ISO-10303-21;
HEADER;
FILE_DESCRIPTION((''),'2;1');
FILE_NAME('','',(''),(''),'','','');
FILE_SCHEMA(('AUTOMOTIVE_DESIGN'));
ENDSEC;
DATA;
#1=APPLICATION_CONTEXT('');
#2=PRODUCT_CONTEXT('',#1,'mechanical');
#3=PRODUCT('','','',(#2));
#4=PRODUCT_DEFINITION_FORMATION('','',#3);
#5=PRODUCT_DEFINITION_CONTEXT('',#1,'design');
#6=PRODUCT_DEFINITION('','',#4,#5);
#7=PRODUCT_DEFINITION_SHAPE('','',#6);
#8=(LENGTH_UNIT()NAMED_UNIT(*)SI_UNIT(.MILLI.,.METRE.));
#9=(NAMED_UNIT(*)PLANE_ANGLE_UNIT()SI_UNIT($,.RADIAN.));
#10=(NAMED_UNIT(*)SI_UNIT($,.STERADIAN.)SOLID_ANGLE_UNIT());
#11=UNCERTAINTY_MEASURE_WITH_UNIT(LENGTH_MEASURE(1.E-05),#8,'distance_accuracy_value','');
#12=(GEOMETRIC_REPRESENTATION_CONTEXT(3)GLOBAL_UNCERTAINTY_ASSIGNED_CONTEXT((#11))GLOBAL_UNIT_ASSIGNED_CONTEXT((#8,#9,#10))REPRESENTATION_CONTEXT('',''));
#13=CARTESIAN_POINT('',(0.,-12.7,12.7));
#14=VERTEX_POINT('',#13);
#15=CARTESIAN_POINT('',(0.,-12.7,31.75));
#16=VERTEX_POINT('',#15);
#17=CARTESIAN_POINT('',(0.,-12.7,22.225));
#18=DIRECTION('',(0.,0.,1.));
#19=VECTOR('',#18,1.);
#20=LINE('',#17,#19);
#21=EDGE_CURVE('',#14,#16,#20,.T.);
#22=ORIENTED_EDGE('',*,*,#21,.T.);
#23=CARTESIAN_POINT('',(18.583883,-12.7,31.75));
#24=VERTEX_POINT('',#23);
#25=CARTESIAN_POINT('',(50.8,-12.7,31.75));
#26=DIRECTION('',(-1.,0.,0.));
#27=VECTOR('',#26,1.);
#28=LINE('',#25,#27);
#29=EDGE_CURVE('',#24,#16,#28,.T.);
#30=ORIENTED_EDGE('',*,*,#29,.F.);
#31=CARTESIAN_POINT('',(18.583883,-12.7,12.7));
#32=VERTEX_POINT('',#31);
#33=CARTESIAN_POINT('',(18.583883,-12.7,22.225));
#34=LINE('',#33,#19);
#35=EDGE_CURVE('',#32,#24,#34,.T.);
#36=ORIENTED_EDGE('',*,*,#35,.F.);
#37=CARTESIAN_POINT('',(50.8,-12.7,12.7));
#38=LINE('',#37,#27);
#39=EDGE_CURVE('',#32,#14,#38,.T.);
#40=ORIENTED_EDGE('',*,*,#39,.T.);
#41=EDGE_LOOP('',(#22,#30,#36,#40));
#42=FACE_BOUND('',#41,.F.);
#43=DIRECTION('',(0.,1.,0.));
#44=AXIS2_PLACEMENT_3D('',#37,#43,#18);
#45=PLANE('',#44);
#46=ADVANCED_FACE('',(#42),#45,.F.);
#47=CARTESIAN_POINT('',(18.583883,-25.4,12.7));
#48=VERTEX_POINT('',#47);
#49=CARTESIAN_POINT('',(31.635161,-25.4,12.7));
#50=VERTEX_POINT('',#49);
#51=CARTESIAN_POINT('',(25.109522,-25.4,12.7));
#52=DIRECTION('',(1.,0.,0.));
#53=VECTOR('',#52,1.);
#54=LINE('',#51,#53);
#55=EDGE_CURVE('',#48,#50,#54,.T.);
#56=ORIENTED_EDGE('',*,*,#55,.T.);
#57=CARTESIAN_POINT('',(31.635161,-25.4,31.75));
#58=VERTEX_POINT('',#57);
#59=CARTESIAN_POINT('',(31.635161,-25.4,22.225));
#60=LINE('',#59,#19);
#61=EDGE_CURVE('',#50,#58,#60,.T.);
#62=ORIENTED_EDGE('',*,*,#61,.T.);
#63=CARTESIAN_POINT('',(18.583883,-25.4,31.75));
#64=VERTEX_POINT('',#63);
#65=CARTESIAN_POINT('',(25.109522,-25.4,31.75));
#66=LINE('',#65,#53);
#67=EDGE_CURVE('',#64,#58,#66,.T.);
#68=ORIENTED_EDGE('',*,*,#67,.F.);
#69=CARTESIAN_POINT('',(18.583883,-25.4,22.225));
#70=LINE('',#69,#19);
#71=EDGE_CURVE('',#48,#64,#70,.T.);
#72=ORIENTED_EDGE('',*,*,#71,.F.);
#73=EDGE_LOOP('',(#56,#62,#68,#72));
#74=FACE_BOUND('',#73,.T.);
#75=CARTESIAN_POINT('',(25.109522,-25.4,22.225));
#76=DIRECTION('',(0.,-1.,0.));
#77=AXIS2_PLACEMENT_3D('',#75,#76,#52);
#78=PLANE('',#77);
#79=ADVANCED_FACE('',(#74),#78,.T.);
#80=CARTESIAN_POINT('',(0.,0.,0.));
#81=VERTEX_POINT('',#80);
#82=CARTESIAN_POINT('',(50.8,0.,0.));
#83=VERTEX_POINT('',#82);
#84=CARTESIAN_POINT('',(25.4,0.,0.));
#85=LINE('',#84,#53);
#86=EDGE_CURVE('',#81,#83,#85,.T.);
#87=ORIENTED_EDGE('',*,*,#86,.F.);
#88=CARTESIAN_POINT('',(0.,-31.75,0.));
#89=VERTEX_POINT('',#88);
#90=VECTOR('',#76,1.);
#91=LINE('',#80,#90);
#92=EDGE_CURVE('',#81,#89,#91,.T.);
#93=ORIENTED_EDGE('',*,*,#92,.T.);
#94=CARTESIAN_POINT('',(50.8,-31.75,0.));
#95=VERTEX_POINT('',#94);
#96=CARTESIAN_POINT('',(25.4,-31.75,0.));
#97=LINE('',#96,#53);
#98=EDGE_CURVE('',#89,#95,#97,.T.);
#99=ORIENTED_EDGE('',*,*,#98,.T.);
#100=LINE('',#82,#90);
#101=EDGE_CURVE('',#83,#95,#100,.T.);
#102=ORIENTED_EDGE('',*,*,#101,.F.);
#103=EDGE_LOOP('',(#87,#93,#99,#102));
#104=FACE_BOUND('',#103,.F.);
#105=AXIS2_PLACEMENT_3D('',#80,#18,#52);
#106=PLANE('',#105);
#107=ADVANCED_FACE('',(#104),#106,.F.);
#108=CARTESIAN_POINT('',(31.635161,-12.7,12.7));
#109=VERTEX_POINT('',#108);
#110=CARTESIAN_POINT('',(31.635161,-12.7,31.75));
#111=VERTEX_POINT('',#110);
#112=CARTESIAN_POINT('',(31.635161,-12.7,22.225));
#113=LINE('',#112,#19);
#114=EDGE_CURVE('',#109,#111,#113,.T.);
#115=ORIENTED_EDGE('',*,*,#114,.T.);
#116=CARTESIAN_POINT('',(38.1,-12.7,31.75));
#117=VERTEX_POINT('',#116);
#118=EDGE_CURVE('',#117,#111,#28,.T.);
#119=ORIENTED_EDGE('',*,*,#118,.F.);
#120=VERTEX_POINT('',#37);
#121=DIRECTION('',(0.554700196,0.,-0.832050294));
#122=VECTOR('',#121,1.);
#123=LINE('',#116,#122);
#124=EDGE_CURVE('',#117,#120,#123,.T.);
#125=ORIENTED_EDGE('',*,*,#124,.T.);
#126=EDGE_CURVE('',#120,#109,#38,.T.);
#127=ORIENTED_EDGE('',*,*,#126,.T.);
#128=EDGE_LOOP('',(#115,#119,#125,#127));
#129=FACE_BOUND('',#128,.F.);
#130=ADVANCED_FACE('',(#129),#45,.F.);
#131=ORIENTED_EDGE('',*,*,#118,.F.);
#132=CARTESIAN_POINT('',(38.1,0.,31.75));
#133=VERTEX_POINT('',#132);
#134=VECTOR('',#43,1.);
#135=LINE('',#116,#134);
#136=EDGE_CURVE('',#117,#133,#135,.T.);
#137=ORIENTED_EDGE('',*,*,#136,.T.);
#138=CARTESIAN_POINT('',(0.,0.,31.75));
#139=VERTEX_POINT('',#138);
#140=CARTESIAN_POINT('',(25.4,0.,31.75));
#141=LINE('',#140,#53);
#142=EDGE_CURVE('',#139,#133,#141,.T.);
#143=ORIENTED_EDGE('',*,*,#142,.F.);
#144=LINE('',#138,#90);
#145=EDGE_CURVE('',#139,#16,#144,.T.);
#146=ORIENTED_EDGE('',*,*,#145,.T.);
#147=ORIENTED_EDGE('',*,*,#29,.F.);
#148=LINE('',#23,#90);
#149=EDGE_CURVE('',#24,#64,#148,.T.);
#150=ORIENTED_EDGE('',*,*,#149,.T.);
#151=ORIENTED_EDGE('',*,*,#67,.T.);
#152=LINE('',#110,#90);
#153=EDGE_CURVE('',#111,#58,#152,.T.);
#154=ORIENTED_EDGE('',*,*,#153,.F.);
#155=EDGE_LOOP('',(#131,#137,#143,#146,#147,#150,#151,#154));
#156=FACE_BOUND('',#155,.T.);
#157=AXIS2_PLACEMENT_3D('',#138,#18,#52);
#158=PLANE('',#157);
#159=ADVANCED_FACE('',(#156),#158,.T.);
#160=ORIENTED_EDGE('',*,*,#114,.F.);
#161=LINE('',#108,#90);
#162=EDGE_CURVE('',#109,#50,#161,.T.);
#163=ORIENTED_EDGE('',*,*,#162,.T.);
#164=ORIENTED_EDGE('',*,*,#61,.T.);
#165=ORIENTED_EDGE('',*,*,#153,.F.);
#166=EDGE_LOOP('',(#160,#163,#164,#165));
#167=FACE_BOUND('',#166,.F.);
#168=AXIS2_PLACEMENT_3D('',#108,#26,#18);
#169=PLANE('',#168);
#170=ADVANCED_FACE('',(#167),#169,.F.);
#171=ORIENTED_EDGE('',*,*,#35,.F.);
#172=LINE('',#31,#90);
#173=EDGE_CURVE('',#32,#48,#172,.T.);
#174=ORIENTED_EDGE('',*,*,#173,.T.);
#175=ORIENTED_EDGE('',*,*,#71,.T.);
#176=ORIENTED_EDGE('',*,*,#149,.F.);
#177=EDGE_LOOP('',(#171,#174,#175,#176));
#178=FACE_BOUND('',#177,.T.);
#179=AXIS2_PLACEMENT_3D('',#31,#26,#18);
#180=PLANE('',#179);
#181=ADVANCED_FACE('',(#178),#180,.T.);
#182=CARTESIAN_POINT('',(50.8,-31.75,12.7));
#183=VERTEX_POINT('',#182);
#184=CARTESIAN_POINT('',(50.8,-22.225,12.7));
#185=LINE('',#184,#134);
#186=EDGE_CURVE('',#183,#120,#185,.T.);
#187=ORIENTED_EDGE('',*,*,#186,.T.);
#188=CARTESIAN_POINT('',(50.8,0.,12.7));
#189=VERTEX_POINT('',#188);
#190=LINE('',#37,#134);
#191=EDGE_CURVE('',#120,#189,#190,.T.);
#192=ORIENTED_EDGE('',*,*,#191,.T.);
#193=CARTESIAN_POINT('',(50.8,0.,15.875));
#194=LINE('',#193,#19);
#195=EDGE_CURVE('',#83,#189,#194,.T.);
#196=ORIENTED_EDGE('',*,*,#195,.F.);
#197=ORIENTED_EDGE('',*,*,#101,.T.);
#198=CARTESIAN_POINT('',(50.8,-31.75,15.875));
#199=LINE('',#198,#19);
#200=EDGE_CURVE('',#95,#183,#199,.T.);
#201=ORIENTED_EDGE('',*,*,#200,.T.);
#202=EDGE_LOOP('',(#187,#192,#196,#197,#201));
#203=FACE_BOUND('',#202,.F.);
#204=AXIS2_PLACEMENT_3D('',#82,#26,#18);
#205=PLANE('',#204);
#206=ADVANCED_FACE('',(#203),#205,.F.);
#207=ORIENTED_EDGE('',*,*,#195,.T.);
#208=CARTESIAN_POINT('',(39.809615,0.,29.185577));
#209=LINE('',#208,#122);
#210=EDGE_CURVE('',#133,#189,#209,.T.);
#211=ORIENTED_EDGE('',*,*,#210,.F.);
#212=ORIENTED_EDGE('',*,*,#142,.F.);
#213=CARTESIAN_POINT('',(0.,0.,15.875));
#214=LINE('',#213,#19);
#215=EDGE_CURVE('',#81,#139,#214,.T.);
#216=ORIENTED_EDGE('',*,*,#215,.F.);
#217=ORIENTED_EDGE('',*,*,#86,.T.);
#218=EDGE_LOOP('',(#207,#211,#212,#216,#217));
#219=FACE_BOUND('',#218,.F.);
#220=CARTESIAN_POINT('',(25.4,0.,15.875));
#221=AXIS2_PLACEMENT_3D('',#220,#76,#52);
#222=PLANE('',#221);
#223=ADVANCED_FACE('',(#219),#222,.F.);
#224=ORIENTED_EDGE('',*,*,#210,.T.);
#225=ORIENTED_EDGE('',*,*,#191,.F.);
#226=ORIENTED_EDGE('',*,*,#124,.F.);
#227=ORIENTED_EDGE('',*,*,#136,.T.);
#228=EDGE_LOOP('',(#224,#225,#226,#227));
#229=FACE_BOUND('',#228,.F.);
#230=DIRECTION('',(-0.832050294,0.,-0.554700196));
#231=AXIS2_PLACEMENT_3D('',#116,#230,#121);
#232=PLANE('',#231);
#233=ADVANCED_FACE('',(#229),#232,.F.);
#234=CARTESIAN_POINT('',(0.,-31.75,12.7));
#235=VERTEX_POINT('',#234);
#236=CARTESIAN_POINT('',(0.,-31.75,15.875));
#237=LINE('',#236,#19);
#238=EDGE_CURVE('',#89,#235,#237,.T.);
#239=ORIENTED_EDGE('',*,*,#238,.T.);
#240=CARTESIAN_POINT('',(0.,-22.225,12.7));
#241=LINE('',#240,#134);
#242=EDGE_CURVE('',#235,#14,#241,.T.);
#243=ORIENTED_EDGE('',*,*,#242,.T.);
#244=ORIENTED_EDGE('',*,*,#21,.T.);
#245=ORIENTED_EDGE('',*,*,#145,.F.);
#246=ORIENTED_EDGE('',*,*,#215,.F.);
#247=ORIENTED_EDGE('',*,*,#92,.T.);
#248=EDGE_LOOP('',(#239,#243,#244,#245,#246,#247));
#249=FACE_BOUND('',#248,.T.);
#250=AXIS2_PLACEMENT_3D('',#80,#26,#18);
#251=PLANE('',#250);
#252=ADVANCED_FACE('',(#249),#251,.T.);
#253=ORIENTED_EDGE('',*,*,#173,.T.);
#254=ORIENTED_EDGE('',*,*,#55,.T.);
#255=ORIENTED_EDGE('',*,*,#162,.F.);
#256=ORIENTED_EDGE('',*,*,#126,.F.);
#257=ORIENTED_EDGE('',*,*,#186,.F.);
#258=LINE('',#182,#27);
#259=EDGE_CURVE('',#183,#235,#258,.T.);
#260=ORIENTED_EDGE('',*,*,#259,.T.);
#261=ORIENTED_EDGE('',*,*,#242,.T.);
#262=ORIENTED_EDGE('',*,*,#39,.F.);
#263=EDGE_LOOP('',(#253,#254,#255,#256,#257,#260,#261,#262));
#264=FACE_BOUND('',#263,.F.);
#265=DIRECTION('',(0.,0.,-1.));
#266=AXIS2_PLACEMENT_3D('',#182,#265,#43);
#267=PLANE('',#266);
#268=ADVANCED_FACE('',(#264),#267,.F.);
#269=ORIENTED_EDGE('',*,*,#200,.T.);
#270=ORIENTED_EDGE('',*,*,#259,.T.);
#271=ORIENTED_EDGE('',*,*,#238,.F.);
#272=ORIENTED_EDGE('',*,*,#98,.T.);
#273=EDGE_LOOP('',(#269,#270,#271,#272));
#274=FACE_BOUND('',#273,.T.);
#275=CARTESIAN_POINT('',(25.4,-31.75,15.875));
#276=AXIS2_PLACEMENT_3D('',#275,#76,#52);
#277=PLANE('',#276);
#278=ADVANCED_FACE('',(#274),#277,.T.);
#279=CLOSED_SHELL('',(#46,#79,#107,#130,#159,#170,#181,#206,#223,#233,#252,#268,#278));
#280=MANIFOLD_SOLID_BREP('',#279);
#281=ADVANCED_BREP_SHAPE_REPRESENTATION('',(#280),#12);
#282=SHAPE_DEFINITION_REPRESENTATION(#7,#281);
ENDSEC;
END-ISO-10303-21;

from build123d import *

# Parameters (mm, degrees)
F0_W     = 50.8
F0_H     = 31.75
F1_DEPTH = 31.75
F2_W     = 19.05
F2_H     = 19.05
F3_DEPTH = 50.8
F5_DEPTH = 25.4
F6_W     = 13.051277
F6_H     = 19.05
F7_DEPTH = 12.7


with BuildPart() as f1:
    # F0 (on Front) → F1 (new body)
    with BuildSketch(Plane.XZ):
        with Locations((25.4, 15.875)):
            Rectangle(F0_W, F0_H)
    extrude(amount=F1_DEPTH)

    # F2 (on face) → F3 (cut)
    with BuildSketch(Plane.YZ.offset(50.8)):
        with Locations((-22.225, 22.225)):
            Rectangle(F2_W, F2_H)
    extrude(amount=-F3_DEPTH, mode=Mode.SUBTRACT)

    # F4 (on face) → F5 (cut)
    with BuildSketch(Plane.XZ.offset(12.7)):
        Polygon((50.8, 31.75), (38.1, 31.75), (50.8, 12.7), align=None)
    extrude(amount=-F5_DEPTH, mode=Mode.SUBTRACT)

    # F6 (on face) → F7 (join)
    with BuildSketch(Plane.XZ.offset(12.7)):
        with Locations((25.109522, 22.225)):
            Rectangle(F6_W, F6_H)
    extrude(amount=F7_DEPTH)


solid = f1.part
